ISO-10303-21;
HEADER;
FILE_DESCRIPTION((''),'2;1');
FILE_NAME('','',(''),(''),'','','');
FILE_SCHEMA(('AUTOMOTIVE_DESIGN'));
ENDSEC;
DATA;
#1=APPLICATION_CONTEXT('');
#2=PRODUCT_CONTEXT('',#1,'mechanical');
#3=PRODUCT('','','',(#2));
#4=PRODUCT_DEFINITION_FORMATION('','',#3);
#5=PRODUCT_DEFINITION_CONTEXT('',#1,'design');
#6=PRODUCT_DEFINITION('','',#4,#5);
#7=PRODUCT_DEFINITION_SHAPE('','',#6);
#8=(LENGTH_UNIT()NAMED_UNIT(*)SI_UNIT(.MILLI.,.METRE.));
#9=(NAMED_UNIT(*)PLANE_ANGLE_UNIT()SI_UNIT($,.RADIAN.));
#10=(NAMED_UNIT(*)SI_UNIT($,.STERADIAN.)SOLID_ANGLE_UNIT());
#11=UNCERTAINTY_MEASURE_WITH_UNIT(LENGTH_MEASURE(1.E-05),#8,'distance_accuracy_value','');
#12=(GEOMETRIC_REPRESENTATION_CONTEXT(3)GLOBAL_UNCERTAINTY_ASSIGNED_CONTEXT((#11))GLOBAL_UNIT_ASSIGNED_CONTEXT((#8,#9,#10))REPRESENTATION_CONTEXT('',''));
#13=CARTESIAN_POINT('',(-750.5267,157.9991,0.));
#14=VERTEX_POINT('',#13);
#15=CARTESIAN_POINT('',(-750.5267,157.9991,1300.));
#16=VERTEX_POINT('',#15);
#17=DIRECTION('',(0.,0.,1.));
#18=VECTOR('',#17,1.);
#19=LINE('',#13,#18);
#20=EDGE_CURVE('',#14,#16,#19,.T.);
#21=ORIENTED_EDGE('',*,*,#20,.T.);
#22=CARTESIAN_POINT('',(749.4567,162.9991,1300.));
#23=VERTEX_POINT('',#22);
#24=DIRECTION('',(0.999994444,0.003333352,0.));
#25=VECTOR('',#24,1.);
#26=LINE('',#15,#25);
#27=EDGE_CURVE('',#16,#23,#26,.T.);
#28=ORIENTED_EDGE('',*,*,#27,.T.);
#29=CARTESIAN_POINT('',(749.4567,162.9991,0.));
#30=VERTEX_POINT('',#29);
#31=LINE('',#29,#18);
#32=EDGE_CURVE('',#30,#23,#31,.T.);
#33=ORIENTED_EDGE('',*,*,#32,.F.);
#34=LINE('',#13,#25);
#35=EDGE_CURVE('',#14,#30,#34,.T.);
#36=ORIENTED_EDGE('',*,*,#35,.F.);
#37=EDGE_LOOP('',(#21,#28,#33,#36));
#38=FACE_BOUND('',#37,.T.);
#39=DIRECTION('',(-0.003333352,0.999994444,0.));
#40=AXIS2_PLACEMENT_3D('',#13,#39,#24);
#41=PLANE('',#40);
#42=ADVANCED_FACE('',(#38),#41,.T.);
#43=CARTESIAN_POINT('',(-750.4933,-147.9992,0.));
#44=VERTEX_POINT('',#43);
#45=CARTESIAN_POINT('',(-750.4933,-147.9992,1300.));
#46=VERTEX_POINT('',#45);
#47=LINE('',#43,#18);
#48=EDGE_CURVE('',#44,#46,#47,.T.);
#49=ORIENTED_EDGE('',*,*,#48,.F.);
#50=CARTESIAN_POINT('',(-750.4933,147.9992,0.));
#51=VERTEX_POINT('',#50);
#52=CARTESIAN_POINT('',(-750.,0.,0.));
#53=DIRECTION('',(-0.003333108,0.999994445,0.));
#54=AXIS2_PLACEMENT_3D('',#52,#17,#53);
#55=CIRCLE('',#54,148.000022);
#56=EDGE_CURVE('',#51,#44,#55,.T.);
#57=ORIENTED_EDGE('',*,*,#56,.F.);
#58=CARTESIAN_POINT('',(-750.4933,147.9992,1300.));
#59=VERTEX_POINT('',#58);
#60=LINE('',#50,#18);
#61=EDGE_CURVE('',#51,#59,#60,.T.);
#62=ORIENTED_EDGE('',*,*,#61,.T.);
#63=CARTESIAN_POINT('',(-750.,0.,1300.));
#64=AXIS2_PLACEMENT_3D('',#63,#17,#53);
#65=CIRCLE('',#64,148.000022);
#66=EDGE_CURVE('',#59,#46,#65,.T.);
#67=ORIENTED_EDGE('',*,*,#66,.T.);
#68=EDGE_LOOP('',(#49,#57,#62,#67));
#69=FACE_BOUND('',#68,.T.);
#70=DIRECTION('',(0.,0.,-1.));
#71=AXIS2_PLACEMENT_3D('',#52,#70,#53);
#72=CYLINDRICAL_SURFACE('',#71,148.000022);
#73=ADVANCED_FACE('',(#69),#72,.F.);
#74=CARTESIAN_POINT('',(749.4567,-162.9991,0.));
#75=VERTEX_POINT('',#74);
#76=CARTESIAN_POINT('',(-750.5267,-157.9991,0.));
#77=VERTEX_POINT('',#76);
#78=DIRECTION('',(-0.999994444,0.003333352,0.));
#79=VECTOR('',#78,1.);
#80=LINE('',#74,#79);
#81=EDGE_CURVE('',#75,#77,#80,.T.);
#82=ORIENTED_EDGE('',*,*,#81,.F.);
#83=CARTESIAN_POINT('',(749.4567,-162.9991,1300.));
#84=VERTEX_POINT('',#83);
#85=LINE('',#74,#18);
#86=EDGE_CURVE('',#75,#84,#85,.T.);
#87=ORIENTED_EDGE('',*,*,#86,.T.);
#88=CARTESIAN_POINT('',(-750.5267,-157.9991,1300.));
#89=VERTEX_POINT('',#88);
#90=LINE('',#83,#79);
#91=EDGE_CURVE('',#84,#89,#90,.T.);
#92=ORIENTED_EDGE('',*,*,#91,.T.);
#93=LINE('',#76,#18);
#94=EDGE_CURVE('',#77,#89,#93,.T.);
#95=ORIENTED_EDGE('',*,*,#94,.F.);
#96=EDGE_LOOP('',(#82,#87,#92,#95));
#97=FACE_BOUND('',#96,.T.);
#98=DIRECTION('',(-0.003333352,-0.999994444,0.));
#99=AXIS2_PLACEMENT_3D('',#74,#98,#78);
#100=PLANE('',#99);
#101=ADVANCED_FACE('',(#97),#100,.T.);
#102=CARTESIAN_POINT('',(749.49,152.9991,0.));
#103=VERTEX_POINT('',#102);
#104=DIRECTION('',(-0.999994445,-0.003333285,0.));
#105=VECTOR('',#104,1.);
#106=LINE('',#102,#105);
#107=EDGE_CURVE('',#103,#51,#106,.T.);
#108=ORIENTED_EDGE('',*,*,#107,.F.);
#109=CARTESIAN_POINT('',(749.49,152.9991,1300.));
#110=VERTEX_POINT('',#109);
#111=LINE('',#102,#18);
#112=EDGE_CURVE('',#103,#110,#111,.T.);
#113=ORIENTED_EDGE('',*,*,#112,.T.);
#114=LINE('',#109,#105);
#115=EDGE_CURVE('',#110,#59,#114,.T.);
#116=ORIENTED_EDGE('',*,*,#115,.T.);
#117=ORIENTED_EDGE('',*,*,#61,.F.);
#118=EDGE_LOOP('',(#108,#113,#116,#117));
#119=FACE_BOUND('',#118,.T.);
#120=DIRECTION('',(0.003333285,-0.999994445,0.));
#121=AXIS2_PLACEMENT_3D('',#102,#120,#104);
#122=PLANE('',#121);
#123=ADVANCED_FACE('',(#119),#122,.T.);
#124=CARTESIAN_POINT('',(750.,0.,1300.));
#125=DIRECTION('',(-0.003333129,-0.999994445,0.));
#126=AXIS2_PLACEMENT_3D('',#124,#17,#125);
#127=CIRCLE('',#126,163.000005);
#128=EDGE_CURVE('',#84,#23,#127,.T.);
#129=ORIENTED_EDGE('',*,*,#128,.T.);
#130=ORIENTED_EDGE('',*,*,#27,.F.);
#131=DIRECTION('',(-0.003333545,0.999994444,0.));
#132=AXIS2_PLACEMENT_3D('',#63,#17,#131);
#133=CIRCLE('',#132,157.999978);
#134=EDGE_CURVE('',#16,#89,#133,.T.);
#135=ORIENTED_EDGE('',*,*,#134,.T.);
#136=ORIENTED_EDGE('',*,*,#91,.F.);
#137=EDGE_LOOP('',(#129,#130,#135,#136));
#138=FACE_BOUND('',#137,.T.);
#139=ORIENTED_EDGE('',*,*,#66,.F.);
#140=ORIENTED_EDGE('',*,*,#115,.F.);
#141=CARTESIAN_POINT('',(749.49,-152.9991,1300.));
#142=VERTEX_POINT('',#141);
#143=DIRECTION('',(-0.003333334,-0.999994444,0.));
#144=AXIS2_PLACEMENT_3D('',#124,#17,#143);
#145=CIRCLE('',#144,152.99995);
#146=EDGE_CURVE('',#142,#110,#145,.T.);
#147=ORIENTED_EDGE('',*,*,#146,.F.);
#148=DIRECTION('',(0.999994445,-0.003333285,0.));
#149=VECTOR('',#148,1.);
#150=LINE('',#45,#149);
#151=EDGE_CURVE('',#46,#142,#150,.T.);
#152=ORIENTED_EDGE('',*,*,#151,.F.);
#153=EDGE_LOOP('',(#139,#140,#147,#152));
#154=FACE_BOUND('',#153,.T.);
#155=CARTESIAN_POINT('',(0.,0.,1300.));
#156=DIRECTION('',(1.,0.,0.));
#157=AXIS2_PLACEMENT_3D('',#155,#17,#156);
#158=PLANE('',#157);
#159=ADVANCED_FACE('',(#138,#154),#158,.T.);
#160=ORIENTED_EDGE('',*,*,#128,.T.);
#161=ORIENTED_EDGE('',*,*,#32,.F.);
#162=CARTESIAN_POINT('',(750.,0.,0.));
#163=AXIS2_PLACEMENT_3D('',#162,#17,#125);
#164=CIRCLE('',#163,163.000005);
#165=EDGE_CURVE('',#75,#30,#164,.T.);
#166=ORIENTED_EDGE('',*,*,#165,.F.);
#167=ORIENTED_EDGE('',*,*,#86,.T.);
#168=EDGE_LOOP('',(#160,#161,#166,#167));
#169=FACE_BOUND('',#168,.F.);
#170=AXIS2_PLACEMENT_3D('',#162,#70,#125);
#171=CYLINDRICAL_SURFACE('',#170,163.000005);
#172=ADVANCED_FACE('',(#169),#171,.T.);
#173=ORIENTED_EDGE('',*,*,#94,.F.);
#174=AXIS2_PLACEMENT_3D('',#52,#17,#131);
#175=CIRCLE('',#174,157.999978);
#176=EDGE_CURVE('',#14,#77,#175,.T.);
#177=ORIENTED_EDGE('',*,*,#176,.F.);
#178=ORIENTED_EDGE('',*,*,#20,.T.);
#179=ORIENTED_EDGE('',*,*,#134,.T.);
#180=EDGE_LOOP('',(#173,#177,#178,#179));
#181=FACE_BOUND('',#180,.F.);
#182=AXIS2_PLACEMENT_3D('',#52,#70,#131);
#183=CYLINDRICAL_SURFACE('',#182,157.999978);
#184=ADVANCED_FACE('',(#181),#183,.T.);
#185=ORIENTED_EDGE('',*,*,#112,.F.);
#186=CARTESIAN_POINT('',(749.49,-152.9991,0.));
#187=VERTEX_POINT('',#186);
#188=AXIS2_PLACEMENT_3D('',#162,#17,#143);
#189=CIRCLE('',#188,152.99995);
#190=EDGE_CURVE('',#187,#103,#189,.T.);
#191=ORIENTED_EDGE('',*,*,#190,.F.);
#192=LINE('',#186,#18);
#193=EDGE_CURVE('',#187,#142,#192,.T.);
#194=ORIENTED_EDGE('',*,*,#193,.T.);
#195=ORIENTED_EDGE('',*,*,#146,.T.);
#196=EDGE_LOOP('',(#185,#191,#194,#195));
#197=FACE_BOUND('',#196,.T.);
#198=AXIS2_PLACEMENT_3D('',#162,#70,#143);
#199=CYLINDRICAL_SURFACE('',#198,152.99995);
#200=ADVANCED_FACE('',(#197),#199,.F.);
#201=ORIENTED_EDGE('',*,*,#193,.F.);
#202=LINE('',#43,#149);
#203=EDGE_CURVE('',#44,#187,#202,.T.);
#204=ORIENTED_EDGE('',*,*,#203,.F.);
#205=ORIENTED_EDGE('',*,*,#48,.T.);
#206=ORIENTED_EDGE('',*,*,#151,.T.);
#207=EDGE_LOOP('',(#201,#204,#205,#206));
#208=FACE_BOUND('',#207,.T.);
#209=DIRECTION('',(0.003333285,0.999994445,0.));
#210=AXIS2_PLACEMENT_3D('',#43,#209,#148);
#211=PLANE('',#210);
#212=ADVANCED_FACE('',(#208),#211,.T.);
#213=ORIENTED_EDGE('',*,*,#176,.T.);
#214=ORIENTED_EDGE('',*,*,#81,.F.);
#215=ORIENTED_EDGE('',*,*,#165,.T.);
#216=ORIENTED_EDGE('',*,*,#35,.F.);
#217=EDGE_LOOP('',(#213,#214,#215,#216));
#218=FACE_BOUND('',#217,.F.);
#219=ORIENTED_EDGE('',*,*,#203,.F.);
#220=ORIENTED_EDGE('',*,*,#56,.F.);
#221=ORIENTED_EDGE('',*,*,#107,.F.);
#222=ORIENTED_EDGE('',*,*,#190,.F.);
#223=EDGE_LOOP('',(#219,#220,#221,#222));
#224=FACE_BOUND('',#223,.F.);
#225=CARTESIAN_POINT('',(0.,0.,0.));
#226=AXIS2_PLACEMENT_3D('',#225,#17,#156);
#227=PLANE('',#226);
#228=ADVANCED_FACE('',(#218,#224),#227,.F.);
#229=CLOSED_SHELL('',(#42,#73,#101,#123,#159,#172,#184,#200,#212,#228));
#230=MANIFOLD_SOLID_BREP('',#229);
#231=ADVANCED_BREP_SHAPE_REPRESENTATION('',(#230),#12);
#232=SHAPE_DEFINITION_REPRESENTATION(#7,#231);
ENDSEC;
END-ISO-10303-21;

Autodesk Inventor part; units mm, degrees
ref_plane "YZ Plane" through (0, 0, 0) normal (1, 0, 0) x (0, 1, 0)
ref_plane "XZ Plane" through (0, 0, 0) normal (0, 1, 0) x (-1, 0, 0)
ref_plane "XY Plane" through (0, 0, 0) normal (0, 0, 1) x (1, 0, 0)
sketch "Boceto1" plane through (0, 0, 0) normal (0, 0, 1) x (1, 0, 0)
  arc A0 (-750.5267, 157.9991) -> (-750.5267, -157.9991) centre (-750, 0) ccw
  arc A1 (749.4567, -162.9991) -> (749.4567, 162.9991) centre (750, 0) ccw
  line L0 (-750.5267, 157.9991) -> (749.4567, 162.9991)
  line L1 (749.4567, -162.9991) -> (-750.5267, -157.9991)
  line L2 (749.49, 152.9991) -> (-750.4933, 147.9992)
  arc A2 (-750.4933, 147.9992) -> (-750.4933, -147.9992) centre (-750, 0) ccw
  line L3 (-750.4933, -147.9992) -> (749.49, -152.9991)
  arc A3 (749.49, -152.9991) -> (749.49, 152.9991) centre (750, 0) ccw
  point P0 (0, 0)
  dimension "d0" = 1500
  dimension "d1" = 326
  dimension "d2" = 316
  dimension "d3" = 750
  dimension "d4" = 10
extrude "Extrusión1" add sketch "Boceto1" along normal blind 1300
equation "\"d3\" = 0.5 * d0"
properties part number "faja"
